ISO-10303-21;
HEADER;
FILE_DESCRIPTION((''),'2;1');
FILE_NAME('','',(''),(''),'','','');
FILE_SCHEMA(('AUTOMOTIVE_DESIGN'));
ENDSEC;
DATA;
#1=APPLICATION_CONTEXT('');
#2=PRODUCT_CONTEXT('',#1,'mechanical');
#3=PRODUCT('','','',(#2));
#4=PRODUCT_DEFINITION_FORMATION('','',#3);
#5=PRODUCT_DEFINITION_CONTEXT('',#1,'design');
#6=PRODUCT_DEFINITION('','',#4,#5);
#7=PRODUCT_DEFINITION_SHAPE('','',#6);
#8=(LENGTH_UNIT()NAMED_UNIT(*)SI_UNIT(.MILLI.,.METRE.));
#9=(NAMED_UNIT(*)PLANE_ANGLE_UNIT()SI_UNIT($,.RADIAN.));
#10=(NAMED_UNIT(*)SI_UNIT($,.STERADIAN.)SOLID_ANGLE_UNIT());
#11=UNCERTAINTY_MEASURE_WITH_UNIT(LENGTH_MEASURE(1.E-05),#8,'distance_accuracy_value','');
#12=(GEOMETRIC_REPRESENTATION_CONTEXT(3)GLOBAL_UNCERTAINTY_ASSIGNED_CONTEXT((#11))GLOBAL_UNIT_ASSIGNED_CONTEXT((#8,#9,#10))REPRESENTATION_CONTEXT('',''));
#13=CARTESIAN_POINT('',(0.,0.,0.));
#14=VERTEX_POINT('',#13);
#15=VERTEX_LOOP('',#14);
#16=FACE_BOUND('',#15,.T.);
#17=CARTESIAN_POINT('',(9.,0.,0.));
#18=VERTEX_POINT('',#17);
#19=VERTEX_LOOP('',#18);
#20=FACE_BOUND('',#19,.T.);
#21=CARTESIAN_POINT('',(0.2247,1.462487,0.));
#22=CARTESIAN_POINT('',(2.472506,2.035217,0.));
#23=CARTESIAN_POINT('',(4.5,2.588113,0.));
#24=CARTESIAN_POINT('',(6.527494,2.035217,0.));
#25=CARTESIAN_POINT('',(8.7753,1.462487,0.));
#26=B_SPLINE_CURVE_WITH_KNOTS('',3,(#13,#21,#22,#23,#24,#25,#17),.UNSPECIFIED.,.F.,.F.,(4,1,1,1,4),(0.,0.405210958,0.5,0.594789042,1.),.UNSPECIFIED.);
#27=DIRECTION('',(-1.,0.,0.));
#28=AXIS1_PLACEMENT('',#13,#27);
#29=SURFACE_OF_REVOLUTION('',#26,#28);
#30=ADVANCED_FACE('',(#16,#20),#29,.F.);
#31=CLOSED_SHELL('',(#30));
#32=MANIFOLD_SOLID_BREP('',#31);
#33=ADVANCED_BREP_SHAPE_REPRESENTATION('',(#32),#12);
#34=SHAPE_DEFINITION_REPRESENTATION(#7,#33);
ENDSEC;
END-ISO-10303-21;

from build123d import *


with BuildPart() as part:
    # 草图2 → 旋转1 (revolve)
    with BuildSketch(Plane.XY):
        with BuildLine():
            add(Edge.make_bspline(
                [(0, 0), (0.224699683, 1.462487126), (2.472505542, 2.035216897), (4.176886689, 2.5), (4.5, 2.5)],
                knots=[0, 0, 0, 0, 0.405210958, 0.5, 0.5, 0.5, 0.5], degree=3))
            Line((0, 0), (4.5, 0))
            Line((4.5, 0), (4.5, 2.5))
        make_face()
        with BuildLine():
            Line((4.5, 2.5), (4.5, 0))
            Line((4.5, 0), (9, 0))
            add(Edge.make_bspline(
                [(4.5, 2.5), (4.823113311, 2.5), (6.527494458, 2.035216897), (8.775300317, 1.462487126), (9, 0)],
                knots=[0.5, 0.5, 0.5, 0.5, 0.594789042, 1, 1, 1, 1], degree=3))
        make_face()
    revolve(axis=Axis((0, 0, 0), (1, 0, 0)))


solid = part.part
